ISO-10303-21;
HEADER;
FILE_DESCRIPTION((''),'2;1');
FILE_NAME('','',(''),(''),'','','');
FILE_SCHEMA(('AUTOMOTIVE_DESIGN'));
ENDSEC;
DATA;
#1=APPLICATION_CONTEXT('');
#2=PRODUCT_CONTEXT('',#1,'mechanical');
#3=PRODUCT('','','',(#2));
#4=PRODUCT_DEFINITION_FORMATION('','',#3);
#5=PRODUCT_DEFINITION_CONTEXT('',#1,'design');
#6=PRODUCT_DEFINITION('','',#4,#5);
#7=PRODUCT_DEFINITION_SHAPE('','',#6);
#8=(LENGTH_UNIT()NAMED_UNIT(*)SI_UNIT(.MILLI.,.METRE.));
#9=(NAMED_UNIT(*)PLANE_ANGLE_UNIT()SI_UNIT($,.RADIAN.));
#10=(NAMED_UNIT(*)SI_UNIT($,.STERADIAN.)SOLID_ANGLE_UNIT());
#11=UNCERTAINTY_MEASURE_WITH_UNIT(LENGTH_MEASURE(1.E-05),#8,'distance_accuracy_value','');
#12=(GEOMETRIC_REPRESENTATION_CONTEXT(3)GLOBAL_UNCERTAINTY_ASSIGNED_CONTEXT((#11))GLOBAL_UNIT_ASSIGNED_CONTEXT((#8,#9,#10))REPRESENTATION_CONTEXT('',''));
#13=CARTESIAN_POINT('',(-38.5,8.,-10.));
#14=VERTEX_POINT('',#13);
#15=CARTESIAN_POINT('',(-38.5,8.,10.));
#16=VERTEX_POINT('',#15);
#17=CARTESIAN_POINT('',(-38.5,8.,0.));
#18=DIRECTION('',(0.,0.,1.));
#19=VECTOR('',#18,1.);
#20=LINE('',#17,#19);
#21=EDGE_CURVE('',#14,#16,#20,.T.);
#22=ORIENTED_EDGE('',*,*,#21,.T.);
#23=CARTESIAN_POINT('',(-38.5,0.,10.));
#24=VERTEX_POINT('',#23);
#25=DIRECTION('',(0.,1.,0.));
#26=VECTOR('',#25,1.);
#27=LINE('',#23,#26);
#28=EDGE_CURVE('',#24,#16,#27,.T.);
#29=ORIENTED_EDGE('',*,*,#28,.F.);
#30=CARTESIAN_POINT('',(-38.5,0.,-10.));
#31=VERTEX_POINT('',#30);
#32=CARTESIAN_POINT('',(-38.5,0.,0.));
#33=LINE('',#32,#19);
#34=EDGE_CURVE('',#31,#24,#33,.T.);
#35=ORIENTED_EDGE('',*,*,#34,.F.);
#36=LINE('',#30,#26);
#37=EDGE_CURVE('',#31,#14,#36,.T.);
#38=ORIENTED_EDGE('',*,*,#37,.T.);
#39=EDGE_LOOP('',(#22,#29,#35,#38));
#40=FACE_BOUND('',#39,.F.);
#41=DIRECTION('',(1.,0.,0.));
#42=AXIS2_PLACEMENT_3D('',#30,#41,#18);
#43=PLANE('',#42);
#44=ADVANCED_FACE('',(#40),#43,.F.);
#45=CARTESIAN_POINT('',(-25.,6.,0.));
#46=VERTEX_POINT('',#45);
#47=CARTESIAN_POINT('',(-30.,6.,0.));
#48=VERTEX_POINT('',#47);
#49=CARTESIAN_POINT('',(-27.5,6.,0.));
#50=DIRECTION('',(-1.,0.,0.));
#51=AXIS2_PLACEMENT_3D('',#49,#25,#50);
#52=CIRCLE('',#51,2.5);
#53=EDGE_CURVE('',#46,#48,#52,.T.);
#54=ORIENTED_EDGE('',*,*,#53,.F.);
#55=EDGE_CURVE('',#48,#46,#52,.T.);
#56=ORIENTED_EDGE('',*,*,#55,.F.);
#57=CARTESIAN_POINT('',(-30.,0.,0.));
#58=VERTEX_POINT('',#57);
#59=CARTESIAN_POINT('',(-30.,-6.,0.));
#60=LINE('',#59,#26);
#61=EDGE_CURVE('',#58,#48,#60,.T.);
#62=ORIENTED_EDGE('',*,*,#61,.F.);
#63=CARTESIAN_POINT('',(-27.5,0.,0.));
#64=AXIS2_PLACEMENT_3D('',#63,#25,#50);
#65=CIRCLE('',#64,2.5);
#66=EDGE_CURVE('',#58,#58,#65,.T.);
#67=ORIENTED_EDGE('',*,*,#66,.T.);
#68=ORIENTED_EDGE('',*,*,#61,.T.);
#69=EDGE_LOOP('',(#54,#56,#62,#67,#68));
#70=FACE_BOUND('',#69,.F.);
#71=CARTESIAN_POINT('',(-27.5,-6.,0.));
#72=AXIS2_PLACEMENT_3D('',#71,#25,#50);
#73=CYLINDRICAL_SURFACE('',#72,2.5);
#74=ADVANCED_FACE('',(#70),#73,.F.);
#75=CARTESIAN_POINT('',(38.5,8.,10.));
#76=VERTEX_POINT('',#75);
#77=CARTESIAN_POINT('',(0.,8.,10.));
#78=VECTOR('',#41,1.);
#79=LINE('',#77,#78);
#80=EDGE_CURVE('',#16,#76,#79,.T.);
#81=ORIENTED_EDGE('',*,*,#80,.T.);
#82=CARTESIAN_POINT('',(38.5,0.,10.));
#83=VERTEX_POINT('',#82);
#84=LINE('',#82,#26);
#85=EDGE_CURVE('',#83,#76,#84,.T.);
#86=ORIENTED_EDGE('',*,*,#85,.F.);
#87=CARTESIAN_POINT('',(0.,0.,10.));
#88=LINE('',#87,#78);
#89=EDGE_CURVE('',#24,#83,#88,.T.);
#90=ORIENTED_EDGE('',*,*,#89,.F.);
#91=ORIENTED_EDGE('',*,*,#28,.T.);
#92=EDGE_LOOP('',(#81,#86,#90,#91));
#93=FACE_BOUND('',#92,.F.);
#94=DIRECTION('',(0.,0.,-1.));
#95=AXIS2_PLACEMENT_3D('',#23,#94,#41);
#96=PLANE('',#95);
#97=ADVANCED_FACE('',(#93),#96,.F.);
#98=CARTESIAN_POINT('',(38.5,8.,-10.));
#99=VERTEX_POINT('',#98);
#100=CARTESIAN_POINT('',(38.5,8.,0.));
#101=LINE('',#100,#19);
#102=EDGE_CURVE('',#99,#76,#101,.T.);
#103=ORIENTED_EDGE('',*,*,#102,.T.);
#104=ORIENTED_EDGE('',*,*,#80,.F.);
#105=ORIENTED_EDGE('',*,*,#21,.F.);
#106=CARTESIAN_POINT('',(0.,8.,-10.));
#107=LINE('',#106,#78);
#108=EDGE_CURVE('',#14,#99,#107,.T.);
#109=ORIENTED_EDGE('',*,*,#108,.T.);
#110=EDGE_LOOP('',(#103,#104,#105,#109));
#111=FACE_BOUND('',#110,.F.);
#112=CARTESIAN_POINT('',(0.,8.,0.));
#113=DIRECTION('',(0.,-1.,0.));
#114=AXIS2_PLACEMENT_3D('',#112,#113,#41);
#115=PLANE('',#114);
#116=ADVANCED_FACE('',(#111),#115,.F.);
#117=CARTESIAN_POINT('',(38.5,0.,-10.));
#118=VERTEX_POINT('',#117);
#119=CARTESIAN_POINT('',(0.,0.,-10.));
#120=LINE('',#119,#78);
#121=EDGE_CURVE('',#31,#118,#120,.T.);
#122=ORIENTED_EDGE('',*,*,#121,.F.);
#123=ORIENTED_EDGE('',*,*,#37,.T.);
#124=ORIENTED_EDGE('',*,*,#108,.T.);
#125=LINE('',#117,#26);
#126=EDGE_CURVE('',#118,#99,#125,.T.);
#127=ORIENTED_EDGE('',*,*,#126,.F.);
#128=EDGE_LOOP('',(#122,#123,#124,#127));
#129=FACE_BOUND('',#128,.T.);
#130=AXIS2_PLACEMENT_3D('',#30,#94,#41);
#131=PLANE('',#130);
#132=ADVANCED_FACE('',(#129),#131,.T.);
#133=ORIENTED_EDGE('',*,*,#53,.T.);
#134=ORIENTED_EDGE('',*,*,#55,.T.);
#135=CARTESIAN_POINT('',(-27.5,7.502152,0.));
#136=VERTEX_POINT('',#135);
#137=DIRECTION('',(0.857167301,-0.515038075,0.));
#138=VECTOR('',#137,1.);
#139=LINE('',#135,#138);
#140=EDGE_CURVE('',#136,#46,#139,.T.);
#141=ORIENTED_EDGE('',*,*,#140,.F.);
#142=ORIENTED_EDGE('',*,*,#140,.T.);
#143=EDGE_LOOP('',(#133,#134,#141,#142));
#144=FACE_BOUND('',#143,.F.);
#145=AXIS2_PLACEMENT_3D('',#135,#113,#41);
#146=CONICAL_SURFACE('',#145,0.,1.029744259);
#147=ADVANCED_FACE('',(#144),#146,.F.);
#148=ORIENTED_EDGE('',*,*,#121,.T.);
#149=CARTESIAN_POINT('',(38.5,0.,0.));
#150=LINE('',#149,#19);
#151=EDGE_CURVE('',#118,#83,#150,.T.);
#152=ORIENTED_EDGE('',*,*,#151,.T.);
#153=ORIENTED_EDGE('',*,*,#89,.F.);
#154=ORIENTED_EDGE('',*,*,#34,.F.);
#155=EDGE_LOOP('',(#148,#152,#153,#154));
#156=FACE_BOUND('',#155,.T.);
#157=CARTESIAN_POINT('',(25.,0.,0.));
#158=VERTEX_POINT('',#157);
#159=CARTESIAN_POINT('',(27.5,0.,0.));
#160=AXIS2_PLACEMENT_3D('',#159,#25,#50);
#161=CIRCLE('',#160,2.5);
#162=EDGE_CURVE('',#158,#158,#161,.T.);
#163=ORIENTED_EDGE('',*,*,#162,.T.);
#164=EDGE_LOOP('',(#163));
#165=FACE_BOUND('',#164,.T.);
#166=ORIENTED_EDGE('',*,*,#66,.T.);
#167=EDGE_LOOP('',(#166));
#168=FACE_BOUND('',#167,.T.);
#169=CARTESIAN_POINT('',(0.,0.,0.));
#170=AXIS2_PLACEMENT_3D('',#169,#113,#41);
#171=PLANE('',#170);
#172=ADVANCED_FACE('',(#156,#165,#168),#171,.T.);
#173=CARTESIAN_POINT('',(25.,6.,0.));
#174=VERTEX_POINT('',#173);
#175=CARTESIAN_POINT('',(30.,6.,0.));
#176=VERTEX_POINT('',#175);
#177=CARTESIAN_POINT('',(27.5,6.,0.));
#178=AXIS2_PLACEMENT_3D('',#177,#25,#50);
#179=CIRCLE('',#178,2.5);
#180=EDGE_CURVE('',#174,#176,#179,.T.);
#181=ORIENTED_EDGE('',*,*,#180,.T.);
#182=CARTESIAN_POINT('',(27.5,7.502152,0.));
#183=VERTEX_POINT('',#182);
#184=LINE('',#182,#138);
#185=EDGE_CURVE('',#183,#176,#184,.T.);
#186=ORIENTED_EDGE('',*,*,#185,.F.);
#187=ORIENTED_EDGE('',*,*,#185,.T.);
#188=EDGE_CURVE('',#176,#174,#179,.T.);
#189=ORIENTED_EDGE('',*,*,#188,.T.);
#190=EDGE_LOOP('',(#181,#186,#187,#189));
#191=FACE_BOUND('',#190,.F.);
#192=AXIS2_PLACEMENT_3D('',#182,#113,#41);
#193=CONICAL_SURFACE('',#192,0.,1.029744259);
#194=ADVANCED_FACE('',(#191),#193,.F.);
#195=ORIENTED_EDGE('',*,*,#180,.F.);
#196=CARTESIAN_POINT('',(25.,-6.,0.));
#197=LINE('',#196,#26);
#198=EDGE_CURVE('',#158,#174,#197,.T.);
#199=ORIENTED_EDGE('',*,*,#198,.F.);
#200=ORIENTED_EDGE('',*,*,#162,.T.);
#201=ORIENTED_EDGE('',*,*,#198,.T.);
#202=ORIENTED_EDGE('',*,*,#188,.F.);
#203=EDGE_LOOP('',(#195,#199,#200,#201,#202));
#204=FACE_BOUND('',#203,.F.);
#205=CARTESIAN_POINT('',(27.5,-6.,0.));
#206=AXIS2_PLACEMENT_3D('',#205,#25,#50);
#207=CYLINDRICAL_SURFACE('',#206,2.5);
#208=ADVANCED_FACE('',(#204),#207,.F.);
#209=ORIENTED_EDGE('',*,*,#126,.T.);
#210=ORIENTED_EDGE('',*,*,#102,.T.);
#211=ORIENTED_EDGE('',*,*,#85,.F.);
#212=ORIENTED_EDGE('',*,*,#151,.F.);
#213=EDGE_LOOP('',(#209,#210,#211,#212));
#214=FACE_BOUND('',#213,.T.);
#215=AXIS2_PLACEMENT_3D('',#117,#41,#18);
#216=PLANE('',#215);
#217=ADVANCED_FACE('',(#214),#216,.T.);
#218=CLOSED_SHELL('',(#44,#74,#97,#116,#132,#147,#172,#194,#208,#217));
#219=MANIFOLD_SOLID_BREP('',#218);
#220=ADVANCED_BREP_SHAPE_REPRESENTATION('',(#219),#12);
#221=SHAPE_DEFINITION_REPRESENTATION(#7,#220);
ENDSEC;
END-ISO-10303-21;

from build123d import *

# Parameters (mm, degrees)
F0_W     = 77
F0_H     = 20
F1_DEPTH = 8
F2_D     = 5
F2_DEPTH = 6
F2_TIP   = 1.5021515476


with BuildPart() as f1:
    # F0 (on Front) → F1 (new body)
    with BuildSketch(Plane.XZ):
        Rectangle(F0_W, F0_H)
    extrude(amount=-F1_DEPTH)

    # F2
    with Locations(Plane.XZ):
        with Locations((-27.5, 0), (27.5, 0)):
            Hole(F2_D / 2, depth=F2_DEPTH)
            with Locations((0, 0, -(F2_DEPTH + F2_TIP / 2))):  # 118° drill point
                Cone(0, F2_D / 2, F2_TIP, mode=Mode.SUBTRACT)


solid = f1.part
